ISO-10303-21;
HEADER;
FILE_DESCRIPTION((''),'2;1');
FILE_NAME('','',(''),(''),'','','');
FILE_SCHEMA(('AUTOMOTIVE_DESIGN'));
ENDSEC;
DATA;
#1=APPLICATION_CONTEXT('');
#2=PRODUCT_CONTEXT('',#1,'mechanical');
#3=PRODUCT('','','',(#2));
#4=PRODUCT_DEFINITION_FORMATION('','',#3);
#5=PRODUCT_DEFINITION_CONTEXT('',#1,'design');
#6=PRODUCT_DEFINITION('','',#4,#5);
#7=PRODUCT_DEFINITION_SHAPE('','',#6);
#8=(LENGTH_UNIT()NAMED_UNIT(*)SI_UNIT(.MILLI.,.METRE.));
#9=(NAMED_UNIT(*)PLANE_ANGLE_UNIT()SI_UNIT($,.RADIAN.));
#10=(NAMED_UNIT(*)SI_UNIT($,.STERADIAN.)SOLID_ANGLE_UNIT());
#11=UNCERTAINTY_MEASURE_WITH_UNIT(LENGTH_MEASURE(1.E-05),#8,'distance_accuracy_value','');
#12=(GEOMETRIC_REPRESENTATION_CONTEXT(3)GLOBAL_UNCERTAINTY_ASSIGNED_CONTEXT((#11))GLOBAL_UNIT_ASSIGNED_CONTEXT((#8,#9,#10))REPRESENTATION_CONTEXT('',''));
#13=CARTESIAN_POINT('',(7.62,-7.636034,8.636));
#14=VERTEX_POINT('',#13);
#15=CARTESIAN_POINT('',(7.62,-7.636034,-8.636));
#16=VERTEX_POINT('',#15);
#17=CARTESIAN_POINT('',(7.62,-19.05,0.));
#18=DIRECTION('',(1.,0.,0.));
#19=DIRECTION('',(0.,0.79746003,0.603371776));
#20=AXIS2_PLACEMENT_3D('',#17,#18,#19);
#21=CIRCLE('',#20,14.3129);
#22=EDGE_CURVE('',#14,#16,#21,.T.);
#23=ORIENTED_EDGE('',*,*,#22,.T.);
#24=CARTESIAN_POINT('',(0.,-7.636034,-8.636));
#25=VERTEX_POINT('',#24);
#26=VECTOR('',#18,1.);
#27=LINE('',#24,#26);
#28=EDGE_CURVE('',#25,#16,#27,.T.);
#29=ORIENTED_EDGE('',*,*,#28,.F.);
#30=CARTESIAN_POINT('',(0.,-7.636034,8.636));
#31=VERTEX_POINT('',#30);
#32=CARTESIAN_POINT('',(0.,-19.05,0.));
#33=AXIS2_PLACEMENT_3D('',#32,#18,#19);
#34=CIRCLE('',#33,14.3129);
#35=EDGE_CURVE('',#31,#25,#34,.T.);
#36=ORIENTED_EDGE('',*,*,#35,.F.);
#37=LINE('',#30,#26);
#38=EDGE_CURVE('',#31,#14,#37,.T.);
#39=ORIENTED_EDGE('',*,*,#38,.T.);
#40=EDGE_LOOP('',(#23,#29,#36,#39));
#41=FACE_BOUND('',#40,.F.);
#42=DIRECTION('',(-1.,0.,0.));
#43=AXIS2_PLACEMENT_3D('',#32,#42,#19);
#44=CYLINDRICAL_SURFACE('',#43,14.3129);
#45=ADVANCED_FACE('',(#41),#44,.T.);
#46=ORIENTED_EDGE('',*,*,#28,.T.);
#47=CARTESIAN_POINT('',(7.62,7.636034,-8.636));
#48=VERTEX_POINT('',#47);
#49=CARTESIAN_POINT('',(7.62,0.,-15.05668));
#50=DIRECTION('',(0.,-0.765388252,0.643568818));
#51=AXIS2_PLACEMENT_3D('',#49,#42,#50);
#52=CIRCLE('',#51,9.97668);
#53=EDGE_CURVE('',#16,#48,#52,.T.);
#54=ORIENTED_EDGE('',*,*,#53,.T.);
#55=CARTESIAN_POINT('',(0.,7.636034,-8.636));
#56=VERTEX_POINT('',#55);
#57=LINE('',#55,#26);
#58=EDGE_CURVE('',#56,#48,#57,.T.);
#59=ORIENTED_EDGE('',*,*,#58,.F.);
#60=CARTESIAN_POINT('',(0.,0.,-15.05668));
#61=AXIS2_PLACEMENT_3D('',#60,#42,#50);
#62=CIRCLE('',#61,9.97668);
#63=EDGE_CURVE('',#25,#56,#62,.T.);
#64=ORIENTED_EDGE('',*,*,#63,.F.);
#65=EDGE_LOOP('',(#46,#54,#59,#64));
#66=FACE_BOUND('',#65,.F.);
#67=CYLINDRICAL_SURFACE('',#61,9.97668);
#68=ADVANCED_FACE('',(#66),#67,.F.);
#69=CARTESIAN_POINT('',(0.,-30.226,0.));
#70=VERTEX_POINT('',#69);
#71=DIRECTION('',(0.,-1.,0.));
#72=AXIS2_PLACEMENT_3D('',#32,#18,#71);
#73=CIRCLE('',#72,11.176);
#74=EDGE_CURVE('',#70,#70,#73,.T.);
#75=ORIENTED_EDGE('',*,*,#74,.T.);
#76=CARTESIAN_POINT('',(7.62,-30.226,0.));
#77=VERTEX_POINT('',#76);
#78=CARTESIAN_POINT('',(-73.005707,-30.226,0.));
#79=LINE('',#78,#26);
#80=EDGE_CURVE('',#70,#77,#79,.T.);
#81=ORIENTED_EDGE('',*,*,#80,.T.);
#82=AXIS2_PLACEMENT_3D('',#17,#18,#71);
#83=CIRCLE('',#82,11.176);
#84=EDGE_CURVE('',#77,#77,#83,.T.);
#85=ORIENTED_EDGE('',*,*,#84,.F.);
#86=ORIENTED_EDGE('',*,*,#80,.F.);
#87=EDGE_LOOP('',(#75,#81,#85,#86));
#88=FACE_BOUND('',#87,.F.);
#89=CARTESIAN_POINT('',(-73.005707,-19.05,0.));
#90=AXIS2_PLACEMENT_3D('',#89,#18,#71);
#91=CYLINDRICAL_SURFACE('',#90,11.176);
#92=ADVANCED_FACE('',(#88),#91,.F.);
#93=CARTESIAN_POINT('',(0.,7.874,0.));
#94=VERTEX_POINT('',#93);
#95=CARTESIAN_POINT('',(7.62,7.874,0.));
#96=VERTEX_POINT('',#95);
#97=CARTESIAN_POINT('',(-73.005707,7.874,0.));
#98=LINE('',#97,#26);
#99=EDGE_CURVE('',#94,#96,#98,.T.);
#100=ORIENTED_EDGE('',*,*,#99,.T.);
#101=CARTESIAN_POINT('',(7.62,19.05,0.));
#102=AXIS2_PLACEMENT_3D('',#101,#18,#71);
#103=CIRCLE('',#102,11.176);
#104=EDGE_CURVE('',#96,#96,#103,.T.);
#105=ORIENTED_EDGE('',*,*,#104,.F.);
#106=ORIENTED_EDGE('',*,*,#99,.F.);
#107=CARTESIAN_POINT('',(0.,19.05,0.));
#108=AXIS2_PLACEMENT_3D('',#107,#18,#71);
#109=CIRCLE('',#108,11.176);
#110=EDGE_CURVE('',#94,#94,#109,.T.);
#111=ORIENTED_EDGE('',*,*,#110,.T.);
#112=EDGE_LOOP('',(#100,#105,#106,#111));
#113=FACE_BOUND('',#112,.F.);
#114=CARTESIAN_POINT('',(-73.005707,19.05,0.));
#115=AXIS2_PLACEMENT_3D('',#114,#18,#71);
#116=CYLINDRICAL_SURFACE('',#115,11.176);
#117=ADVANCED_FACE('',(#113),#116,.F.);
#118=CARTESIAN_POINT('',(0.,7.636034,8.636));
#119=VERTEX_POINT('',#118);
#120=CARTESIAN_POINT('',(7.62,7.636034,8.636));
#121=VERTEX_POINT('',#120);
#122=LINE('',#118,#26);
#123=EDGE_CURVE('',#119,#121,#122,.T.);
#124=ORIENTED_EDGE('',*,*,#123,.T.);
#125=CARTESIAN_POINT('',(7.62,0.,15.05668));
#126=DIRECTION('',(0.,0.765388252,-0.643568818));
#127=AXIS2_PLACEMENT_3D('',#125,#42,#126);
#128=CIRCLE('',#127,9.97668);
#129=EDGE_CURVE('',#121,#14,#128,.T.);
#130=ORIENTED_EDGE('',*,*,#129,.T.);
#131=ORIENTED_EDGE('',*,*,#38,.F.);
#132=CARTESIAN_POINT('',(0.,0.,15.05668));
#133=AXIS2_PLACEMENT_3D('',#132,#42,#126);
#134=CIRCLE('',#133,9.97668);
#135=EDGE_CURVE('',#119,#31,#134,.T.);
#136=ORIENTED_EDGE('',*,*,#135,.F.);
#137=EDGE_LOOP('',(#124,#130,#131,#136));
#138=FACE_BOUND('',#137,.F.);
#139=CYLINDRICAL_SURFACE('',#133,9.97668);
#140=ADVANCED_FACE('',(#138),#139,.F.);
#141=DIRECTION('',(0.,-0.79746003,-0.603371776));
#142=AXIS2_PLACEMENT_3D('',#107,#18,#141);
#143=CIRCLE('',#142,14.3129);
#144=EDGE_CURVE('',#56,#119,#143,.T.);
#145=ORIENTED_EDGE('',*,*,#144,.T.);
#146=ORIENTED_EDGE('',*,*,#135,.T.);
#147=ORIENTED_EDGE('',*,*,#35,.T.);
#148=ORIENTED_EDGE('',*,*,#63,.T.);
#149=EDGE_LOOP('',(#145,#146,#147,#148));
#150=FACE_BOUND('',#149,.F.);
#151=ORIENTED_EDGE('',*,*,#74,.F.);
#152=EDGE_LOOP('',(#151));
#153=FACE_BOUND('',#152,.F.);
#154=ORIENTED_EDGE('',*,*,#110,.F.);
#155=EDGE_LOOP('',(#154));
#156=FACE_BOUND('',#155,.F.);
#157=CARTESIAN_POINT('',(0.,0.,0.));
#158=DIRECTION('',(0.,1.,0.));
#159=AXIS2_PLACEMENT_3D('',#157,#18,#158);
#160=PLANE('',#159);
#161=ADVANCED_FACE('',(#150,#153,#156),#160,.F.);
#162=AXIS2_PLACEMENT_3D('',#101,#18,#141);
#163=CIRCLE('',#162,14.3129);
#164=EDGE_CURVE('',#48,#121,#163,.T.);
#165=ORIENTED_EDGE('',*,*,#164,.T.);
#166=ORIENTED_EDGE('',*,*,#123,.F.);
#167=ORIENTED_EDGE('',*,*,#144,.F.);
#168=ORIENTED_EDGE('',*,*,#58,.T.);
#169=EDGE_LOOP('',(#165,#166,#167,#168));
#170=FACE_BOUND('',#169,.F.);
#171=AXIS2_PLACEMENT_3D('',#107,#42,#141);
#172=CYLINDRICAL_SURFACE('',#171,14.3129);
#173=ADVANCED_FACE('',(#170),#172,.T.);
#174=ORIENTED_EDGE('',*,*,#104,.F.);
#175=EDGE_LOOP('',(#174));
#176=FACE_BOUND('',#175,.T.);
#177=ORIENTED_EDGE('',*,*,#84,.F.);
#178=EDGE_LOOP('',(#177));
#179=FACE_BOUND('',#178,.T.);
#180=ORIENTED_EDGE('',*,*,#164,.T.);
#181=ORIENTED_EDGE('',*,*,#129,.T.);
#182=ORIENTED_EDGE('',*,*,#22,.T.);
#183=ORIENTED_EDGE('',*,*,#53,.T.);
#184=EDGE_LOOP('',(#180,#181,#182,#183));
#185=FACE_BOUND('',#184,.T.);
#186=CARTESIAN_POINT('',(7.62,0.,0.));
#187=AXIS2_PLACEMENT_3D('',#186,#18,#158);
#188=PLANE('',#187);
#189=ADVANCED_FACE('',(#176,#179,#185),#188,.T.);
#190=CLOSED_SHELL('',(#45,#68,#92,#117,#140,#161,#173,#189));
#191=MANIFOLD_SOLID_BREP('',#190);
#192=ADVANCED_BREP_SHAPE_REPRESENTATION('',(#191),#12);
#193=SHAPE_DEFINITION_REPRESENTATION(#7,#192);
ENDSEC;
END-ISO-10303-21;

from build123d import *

# Parameters (mm, degrees)
F0_R     = 11.1379
F1_DEPTH = 7.62
F2_D     = 22.352


with BuildPart() as f1:
    # F0 (on Right) → F1 (new body)
    with BuildSketch(Plane.YZ):
        with BuildLine():
            ThreePointArc((7.636034, 8.636), (0, 5.08), (-7.636034, 8.636))
            ThreePointArc((-7.636034, 8.636), (-33.3629, 0), (-7.636034, -8.636))
            ThreePointArc((-7.636034, -8.636), (0, -5.08), (7.636034, -8.636))
            ThreePointArc((7.636034, -8.636), (33.3629, 0), (7.636034, 8.636))
        make_face()
        with Locations((-19.05, 0)):
            Circle(F0_R, mode=Mode.SUBTRACT)
        with Locations((19.05, 0)):
            Circle(F0_R, mode=Mode.SUBTRACT)
    extrude(amount=F1_DEPTH)

    # F2 (through all)
    with Locations(Plane(origin=(0, 0, 0), x_dir=(0, 1, 0), z_dir=(-1, 0, 0))):
        with Locations((19.05, 0), (-19.05, 0)):
            Hole(F2_D / 2)


solid = f1.part
